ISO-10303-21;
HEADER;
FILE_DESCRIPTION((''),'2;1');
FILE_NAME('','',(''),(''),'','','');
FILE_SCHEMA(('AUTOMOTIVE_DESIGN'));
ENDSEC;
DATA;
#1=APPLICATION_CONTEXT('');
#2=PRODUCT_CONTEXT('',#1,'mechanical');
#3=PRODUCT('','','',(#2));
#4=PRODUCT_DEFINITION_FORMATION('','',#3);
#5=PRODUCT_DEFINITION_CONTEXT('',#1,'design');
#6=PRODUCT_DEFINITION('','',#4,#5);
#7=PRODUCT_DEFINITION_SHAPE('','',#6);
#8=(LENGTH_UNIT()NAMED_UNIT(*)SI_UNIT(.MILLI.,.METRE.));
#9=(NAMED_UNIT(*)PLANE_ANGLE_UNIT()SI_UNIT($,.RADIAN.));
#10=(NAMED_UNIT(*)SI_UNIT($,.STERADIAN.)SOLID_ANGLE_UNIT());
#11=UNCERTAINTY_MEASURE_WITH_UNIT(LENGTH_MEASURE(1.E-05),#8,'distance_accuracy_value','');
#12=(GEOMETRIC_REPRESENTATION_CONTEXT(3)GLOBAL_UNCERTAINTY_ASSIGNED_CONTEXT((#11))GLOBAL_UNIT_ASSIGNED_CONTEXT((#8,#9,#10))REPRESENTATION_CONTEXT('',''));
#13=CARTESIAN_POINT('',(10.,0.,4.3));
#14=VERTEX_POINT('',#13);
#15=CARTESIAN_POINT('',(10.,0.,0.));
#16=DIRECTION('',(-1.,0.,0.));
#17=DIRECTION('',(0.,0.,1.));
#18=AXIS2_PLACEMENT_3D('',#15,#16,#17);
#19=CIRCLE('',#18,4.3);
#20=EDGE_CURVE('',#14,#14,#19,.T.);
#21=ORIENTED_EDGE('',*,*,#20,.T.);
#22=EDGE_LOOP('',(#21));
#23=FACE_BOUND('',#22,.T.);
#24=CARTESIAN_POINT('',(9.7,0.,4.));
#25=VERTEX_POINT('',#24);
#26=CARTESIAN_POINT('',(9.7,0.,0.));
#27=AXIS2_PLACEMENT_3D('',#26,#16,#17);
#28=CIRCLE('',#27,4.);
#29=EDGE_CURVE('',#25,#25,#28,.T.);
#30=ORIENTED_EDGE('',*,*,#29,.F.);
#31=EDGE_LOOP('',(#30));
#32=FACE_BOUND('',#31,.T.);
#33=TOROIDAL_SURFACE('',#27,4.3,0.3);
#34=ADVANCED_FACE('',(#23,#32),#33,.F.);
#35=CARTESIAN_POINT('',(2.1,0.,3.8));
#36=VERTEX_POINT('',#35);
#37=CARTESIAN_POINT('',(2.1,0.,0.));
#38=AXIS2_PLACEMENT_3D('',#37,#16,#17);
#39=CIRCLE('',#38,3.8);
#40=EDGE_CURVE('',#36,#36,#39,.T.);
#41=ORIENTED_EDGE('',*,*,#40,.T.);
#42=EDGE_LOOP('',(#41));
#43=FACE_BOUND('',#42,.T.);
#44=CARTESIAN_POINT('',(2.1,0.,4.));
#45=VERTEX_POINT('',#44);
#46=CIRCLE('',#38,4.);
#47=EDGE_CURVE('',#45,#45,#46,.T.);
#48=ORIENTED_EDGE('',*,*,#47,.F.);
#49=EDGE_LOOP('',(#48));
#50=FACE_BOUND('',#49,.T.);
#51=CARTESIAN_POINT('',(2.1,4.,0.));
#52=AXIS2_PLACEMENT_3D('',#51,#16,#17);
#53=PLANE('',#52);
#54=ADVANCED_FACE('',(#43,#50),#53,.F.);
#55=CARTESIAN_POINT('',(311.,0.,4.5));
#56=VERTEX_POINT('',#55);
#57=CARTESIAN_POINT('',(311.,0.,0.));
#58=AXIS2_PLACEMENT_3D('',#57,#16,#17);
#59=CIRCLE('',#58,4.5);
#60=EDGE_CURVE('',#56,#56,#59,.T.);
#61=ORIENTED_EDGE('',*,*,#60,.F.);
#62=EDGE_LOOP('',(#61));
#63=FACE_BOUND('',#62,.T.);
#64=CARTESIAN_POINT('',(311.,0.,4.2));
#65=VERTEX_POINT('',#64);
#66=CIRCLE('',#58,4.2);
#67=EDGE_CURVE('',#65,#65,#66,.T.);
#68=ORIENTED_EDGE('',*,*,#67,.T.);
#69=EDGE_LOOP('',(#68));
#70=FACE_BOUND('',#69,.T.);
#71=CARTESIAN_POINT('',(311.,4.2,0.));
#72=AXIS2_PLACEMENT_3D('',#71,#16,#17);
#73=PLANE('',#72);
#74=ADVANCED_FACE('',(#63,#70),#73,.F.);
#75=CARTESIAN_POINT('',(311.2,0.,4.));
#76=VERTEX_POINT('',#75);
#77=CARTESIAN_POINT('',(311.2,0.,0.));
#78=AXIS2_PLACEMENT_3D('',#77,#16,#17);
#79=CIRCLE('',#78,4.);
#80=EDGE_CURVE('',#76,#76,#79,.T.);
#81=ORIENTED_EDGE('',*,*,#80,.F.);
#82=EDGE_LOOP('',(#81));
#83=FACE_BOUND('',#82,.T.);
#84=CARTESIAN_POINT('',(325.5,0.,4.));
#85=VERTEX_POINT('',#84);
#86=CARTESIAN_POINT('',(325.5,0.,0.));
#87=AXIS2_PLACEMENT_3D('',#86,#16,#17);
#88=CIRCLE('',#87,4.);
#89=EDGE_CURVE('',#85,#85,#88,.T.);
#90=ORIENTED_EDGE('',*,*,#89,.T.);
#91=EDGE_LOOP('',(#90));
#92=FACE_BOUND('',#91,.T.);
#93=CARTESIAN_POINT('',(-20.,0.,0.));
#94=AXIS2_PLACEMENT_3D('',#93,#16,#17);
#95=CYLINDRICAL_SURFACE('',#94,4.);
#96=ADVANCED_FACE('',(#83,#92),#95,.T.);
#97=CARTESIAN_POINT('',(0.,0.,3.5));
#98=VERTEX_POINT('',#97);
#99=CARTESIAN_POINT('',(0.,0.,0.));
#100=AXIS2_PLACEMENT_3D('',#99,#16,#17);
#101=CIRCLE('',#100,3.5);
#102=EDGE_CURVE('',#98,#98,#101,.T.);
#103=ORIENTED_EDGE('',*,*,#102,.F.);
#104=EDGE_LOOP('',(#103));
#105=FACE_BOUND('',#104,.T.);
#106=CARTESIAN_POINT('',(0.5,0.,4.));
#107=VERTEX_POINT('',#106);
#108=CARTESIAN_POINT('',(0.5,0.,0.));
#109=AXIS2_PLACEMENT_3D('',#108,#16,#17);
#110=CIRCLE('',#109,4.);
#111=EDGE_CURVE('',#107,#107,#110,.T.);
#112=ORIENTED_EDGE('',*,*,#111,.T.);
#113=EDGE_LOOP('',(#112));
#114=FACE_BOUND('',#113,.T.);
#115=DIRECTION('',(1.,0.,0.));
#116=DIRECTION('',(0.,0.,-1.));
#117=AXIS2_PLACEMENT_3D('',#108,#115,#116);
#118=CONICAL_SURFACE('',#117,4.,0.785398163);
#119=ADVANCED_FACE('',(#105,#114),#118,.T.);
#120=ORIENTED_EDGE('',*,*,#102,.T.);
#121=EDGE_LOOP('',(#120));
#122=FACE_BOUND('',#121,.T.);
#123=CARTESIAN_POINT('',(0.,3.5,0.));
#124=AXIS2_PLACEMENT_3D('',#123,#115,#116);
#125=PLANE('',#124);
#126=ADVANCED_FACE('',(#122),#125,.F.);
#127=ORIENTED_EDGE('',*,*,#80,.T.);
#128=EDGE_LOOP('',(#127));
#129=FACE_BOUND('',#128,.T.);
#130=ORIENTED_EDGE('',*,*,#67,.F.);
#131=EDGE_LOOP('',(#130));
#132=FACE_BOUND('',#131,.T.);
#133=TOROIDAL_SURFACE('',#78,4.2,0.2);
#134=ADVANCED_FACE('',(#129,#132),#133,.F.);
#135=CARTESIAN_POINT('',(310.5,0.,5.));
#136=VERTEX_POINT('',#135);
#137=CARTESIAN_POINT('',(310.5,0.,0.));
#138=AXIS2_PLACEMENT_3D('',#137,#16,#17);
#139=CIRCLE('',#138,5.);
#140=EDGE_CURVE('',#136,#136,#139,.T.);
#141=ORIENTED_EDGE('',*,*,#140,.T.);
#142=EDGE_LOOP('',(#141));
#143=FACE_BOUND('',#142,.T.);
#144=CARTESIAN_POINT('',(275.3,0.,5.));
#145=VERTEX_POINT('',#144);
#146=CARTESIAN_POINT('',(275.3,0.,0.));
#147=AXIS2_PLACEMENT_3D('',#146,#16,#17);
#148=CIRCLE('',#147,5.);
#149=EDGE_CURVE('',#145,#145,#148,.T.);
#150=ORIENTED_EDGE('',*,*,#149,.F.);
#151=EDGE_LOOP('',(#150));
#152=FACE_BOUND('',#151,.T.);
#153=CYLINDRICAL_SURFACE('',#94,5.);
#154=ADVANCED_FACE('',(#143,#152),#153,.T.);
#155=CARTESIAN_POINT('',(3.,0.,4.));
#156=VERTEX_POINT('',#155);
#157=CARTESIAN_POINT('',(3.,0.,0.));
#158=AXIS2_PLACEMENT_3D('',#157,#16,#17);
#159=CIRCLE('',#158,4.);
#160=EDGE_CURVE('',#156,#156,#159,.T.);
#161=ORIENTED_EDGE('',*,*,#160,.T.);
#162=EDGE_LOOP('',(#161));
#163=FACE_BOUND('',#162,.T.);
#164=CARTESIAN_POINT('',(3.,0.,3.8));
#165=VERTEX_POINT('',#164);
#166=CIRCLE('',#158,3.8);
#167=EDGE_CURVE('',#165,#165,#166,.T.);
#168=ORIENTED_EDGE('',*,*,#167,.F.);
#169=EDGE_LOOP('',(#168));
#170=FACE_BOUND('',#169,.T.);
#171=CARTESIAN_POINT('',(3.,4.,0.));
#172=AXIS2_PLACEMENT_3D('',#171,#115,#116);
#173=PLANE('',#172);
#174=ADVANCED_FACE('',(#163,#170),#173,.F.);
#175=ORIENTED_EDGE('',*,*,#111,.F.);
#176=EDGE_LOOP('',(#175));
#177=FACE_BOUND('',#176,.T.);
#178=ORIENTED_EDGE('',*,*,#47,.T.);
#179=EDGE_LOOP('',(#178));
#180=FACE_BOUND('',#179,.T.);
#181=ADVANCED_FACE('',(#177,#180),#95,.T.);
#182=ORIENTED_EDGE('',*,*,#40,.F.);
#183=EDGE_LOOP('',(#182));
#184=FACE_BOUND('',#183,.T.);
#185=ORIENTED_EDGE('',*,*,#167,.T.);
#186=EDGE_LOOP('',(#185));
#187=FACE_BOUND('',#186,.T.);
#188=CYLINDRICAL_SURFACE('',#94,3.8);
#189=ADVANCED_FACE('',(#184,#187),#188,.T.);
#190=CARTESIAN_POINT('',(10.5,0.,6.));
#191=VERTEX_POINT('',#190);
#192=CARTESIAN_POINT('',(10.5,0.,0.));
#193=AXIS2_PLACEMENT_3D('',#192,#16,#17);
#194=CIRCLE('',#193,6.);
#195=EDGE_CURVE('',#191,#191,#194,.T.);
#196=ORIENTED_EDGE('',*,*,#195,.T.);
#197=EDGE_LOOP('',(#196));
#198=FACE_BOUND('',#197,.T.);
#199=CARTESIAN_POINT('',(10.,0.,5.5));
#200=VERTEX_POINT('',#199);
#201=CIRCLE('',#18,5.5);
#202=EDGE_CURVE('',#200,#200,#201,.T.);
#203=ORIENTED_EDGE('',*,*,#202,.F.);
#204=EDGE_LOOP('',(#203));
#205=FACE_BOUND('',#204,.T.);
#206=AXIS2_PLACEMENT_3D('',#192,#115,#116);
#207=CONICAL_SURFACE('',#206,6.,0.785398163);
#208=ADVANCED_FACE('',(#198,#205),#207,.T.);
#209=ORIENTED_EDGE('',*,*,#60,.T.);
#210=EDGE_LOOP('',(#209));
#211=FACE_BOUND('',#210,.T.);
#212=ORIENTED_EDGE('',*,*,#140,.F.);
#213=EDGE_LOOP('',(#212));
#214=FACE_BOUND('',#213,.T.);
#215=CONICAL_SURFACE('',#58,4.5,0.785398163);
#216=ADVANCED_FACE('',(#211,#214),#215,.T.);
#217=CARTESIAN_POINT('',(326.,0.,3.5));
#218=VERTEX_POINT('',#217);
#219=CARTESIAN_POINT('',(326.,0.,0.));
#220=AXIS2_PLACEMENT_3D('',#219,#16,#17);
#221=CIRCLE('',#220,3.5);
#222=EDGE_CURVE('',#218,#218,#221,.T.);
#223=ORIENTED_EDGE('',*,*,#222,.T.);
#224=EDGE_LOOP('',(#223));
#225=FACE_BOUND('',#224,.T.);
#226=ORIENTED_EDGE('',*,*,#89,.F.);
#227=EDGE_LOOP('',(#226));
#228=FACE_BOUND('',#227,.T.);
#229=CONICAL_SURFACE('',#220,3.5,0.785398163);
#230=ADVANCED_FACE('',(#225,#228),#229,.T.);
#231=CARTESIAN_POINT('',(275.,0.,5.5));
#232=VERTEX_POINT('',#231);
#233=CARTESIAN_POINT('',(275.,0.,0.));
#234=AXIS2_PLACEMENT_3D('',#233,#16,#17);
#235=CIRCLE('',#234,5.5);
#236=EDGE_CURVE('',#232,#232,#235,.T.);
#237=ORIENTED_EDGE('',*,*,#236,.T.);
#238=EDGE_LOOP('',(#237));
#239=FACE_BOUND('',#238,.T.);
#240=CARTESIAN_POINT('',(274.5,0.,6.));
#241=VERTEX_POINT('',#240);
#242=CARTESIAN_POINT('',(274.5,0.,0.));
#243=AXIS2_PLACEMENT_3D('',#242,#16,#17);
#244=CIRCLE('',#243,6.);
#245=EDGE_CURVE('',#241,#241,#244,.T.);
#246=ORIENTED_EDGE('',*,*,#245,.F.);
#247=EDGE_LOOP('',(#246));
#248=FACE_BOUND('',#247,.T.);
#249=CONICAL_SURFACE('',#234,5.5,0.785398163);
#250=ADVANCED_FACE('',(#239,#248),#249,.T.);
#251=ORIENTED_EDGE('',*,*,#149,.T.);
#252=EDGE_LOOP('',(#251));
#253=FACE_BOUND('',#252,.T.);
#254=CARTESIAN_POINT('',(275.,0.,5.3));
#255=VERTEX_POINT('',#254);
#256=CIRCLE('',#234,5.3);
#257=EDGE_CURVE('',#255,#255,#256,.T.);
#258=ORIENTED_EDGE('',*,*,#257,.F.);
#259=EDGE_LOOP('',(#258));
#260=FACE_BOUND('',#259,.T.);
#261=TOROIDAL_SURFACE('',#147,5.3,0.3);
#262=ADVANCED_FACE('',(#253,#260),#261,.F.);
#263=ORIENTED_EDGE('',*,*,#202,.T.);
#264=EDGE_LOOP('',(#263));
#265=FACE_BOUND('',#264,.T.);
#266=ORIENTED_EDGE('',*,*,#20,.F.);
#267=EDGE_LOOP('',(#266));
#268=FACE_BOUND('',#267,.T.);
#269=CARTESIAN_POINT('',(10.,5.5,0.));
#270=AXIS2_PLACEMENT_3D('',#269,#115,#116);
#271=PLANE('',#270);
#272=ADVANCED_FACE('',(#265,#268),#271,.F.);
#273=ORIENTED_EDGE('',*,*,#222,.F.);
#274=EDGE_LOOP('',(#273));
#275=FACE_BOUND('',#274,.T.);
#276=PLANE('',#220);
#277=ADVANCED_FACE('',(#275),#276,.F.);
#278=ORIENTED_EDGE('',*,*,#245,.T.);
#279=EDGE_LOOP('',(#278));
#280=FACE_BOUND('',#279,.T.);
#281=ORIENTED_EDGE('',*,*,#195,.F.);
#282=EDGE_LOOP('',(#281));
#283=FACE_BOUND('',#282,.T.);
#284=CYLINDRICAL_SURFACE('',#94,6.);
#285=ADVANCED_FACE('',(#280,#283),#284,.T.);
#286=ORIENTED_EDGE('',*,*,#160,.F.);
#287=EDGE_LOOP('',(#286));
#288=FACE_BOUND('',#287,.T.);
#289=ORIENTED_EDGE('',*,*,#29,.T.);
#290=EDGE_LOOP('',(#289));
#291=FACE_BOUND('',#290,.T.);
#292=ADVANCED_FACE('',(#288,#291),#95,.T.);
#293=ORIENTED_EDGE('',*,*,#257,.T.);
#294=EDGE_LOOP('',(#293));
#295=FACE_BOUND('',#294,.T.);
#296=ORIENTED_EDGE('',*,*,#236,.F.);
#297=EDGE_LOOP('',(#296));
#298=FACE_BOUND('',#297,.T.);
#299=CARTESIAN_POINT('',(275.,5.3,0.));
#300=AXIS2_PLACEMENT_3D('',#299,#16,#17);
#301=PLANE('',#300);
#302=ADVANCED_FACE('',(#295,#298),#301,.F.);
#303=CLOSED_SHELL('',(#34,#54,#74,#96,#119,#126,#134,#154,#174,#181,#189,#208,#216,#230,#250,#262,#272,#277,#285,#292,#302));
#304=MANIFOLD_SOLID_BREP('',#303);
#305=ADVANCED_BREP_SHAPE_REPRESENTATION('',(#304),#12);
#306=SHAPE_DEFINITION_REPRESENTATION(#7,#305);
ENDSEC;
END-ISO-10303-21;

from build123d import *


with BuildPart() as part:
    # Sketch1 → Revolve1 (revolve)
    with BuildSketch(Plane.XY):
        with BuildLine():
            Line((2.1, 4), (2.1, 3.8))
            Line((2.1, 3.8), (3, 3.8))
            Line((3, 3.8), (3, 4))
            Line((3, 4), (9.7, 4))
            ThreePointArc((9.7, 4), (9.912132034, 4.087867966), (10, 4.3))
            Line((10, 4.3), (10, 5.5))
            Line((10, 5.5), (10.5, 6))
            Line((10.5, 6), (274.5, 6))
            Line((274.5, 6), (275, 5.5))
            Line((275, 5.5), (275, 5.3))
            ThreePointArc((275, 5.3), (275.087867966, 5.087867966), (275.3, 5))
            Line((275.3, 5), (310.5, 5))
            Line((310.5, 5), (311, 4.5))
            Line((311, 4.5), (311, 4.2))
            ThreePointArc((311, 4.2), (311.058578644, 4.058578644), (311.2, 4))
            Line((311.2, 4), (325.5, 4))
            Line((325.5, 4), (326, 3.5))
            Line((326, 3.5), (326, 0))
            Line((326, 0), (0, 0))
            Line((0, 0), (0, 3.5))
            Line((0, 3.5), (0.5, 4))
            Line((0.5, 4), (2.1, 4))
        make_face()
    revolve(axis=Axis((-20, 0, 0), (1, 0, 0)))


solid = part.part
